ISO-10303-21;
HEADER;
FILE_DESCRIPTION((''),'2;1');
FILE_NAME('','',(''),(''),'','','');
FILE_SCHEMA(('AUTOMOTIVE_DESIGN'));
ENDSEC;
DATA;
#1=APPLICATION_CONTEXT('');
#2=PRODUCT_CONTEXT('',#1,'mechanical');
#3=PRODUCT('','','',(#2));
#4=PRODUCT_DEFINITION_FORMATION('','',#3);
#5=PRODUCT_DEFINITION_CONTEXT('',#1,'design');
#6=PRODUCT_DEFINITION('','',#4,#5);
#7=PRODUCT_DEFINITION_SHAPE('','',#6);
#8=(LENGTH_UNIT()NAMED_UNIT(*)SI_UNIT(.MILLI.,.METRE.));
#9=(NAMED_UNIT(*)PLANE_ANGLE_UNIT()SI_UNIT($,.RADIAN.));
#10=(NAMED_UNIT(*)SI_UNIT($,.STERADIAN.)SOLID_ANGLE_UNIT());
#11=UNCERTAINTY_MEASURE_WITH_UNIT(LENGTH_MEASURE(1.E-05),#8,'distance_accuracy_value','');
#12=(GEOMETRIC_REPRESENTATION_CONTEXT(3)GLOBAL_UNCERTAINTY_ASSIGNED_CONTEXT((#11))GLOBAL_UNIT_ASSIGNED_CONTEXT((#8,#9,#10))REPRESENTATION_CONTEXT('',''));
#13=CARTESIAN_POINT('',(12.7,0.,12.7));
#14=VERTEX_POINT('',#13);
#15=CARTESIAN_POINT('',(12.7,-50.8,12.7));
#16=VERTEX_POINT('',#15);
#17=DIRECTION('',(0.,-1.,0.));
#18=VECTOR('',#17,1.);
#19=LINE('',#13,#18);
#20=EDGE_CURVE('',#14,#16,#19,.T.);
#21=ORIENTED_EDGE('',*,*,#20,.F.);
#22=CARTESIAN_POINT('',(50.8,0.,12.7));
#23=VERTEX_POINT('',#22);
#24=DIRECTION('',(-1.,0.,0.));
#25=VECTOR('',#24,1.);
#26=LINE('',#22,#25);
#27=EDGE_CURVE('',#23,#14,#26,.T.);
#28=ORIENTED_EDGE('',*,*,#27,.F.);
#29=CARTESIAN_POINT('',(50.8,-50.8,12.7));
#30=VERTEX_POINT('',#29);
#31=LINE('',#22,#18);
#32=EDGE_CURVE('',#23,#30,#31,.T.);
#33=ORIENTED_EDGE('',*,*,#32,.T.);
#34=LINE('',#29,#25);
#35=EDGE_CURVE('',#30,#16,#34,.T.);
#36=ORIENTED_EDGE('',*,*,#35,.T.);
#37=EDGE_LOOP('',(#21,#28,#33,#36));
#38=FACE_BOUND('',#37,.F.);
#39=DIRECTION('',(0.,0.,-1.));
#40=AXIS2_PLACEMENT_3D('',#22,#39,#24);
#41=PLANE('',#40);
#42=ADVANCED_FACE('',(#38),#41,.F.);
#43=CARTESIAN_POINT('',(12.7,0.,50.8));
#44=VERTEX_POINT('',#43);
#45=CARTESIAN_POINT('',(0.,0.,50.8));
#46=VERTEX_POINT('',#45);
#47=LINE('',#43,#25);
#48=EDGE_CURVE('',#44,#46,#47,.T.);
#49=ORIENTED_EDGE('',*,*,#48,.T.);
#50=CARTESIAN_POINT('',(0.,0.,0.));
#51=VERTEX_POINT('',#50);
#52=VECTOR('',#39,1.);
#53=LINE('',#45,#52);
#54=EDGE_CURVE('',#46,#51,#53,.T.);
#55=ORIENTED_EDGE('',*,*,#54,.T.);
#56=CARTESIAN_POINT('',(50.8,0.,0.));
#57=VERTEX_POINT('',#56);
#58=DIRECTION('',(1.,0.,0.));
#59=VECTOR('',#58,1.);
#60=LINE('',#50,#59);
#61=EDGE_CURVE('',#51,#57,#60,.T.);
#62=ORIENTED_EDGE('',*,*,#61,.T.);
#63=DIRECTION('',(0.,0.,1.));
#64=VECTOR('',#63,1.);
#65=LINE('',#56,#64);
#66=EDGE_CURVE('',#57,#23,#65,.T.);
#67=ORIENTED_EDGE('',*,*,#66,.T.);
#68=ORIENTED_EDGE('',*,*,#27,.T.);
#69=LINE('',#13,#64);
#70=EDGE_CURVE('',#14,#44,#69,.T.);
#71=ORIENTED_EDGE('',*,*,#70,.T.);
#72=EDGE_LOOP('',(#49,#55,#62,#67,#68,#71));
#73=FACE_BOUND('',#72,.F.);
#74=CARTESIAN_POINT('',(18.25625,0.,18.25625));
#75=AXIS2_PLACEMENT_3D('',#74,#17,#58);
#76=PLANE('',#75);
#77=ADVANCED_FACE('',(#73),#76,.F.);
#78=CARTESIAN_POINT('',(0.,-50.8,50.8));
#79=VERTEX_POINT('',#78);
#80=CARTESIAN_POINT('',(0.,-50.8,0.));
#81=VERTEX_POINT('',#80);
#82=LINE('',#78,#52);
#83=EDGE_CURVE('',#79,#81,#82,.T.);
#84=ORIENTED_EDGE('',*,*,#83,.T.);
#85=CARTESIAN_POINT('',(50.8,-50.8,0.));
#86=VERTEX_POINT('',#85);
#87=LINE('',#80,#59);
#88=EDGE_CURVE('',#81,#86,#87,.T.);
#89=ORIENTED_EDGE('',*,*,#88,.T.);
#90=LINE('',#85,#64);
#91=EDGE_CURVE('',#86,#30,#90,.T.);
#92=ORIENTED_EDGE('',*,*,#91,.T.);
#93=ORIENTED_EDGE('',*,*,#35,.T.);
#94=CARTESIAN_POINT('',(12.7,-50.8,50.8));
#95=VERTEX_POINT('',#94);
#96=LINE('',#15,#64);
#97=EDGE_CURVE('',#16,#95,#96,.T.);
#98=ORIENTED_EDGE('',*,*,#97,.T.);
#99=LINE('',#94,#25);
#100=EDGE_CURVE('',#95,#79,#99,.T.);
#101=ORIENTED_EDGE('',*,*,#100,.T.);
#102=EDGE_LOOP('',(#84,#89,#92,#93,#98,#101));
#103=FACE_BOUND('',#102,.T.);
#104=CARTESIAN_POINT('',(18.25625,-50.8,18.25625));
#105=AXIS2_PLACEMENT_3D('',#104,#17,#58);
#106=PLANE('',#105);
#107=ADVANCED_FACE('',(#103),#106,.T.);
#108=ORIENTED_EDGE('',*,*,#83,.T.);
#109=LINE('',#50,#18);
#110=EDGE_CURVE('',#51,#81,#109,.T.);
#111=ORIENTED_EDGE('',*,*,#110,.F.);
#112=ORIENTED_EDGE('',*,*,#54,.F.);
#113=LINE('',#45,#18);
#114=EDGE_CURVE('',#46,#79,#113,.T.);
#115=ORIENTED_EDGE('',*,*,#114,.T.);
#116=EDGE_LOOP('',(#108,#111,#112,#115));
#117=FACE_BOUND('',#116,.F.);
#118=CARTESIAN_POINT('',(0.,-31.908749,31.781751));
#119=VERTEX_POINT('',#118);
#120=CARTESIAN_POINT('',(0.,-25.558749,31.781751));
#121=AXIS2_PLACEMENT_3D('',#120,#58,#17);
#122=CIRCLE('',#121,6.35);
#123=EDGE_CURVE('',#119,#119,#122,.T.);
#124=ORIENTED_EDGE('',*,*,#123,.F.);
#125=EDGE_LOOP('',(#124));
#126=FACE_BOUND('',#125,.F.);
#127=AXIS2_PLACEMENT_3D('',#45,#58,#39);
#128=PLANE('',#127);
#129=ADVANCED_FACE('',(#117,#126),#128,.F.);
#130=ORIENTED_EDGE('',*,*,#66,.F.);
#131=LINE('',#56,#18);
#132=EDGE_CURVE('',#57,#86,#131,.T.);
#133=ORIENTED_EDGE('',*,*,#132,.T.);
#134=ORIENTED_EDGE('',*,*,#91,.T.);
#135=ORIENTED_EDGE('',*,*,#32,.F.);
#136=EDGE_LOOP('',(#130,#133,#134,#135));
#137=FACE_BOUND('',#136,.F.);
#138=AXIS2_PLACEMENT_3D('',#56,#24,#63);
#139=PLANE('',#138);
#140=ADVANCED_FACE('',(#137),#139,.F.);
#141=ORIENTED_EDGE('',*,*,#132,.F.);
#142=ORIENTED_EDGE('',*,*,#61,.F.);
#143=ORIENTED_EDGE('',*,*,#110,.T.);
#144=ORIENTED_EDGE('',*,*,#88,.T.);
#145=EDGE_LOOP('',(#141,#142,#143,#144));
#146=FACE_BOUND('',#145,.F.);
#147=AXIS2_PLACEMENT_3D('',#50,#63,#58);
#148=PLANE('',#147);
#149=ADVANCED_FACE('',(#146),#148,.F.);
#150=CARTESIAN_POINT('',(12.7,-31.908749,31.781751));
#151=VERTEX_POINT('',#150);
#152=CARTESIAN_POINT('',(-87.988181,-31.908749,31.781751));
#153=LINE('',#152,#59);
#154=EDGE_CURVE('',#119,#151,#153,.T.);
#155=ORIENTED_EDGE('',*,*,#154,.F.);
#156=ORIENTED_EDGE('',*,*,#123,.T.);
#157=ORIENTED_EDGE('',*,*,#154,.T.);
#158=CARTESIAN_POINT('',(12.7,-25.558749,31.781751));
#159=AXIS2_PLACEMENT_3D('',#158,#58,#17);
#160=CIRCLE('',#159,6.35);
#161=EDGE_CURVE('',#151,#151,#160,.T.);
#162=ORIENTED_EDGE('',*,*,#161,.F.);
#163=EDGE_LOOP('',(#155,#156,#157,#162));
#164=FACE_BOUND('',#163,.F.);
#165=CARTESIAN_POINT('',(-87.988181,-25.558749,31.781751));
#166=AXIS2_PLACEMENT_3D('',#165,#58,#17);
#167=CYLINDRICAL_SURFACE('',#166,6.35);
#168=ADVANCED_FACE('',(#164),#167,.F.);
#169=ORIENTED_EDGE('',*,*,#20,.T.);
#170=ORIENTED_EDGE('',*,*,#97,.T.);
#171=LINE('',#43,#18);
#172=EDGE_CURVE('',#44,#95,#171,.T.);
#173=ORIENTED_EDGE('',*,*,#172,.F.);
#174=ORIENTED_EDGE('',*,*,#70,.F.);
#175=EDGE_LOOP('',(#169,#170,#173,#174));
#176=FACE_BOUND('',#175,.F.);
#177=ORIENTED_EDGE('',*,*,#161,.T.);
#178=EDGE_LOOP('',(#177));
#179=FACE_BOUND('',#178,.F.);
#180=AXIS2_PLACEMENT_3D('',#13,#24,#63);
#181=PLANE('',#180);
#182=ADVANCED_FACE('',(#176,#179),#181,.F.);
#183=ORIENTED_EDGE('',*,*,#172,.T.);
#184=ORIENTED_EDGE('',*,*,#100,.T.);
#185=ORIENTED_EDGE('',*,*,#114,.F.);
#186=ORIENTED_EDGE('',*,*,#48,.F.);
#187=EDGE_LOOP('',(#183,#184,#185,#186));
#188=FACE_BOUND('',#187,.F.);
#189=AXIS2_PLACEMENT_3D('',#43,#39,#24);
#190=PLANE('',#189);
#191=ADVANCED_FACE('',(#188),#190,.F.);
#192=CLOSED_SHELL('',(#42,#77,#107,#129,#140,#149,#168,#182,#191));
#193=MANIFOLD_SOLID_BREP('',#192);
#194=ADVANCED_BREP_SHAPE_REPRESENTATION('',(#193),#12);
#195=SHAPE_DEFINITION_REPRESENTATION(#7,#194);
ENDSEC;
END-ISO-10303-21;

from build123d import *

# Parameters (mm, degrees)
F1_DEPTH = 50.8
F3_D     = 12.7


with BuildPart() as f1:
    # F0 (on Front) → F1 (new body)
    with BuildSketch(Plane.XZ):
        Polygon((12.7, 50.8), (0, 50.8), (0, 0), (50.8, 0), (50.8, 12.7), (12.7, 12.7), align=None)
    extrude(amount=F1_DEPTH)

    # F3 (through all)
    with Locations(Plane(origin=(0, 0, 0), x_dir=(0, 1, 0), z_dir=(-1, 0, 0))):
        with Locations((-25.5587492138, -31.7817507312)):
            Hole(F3_D / 2)


solid = f1.part
